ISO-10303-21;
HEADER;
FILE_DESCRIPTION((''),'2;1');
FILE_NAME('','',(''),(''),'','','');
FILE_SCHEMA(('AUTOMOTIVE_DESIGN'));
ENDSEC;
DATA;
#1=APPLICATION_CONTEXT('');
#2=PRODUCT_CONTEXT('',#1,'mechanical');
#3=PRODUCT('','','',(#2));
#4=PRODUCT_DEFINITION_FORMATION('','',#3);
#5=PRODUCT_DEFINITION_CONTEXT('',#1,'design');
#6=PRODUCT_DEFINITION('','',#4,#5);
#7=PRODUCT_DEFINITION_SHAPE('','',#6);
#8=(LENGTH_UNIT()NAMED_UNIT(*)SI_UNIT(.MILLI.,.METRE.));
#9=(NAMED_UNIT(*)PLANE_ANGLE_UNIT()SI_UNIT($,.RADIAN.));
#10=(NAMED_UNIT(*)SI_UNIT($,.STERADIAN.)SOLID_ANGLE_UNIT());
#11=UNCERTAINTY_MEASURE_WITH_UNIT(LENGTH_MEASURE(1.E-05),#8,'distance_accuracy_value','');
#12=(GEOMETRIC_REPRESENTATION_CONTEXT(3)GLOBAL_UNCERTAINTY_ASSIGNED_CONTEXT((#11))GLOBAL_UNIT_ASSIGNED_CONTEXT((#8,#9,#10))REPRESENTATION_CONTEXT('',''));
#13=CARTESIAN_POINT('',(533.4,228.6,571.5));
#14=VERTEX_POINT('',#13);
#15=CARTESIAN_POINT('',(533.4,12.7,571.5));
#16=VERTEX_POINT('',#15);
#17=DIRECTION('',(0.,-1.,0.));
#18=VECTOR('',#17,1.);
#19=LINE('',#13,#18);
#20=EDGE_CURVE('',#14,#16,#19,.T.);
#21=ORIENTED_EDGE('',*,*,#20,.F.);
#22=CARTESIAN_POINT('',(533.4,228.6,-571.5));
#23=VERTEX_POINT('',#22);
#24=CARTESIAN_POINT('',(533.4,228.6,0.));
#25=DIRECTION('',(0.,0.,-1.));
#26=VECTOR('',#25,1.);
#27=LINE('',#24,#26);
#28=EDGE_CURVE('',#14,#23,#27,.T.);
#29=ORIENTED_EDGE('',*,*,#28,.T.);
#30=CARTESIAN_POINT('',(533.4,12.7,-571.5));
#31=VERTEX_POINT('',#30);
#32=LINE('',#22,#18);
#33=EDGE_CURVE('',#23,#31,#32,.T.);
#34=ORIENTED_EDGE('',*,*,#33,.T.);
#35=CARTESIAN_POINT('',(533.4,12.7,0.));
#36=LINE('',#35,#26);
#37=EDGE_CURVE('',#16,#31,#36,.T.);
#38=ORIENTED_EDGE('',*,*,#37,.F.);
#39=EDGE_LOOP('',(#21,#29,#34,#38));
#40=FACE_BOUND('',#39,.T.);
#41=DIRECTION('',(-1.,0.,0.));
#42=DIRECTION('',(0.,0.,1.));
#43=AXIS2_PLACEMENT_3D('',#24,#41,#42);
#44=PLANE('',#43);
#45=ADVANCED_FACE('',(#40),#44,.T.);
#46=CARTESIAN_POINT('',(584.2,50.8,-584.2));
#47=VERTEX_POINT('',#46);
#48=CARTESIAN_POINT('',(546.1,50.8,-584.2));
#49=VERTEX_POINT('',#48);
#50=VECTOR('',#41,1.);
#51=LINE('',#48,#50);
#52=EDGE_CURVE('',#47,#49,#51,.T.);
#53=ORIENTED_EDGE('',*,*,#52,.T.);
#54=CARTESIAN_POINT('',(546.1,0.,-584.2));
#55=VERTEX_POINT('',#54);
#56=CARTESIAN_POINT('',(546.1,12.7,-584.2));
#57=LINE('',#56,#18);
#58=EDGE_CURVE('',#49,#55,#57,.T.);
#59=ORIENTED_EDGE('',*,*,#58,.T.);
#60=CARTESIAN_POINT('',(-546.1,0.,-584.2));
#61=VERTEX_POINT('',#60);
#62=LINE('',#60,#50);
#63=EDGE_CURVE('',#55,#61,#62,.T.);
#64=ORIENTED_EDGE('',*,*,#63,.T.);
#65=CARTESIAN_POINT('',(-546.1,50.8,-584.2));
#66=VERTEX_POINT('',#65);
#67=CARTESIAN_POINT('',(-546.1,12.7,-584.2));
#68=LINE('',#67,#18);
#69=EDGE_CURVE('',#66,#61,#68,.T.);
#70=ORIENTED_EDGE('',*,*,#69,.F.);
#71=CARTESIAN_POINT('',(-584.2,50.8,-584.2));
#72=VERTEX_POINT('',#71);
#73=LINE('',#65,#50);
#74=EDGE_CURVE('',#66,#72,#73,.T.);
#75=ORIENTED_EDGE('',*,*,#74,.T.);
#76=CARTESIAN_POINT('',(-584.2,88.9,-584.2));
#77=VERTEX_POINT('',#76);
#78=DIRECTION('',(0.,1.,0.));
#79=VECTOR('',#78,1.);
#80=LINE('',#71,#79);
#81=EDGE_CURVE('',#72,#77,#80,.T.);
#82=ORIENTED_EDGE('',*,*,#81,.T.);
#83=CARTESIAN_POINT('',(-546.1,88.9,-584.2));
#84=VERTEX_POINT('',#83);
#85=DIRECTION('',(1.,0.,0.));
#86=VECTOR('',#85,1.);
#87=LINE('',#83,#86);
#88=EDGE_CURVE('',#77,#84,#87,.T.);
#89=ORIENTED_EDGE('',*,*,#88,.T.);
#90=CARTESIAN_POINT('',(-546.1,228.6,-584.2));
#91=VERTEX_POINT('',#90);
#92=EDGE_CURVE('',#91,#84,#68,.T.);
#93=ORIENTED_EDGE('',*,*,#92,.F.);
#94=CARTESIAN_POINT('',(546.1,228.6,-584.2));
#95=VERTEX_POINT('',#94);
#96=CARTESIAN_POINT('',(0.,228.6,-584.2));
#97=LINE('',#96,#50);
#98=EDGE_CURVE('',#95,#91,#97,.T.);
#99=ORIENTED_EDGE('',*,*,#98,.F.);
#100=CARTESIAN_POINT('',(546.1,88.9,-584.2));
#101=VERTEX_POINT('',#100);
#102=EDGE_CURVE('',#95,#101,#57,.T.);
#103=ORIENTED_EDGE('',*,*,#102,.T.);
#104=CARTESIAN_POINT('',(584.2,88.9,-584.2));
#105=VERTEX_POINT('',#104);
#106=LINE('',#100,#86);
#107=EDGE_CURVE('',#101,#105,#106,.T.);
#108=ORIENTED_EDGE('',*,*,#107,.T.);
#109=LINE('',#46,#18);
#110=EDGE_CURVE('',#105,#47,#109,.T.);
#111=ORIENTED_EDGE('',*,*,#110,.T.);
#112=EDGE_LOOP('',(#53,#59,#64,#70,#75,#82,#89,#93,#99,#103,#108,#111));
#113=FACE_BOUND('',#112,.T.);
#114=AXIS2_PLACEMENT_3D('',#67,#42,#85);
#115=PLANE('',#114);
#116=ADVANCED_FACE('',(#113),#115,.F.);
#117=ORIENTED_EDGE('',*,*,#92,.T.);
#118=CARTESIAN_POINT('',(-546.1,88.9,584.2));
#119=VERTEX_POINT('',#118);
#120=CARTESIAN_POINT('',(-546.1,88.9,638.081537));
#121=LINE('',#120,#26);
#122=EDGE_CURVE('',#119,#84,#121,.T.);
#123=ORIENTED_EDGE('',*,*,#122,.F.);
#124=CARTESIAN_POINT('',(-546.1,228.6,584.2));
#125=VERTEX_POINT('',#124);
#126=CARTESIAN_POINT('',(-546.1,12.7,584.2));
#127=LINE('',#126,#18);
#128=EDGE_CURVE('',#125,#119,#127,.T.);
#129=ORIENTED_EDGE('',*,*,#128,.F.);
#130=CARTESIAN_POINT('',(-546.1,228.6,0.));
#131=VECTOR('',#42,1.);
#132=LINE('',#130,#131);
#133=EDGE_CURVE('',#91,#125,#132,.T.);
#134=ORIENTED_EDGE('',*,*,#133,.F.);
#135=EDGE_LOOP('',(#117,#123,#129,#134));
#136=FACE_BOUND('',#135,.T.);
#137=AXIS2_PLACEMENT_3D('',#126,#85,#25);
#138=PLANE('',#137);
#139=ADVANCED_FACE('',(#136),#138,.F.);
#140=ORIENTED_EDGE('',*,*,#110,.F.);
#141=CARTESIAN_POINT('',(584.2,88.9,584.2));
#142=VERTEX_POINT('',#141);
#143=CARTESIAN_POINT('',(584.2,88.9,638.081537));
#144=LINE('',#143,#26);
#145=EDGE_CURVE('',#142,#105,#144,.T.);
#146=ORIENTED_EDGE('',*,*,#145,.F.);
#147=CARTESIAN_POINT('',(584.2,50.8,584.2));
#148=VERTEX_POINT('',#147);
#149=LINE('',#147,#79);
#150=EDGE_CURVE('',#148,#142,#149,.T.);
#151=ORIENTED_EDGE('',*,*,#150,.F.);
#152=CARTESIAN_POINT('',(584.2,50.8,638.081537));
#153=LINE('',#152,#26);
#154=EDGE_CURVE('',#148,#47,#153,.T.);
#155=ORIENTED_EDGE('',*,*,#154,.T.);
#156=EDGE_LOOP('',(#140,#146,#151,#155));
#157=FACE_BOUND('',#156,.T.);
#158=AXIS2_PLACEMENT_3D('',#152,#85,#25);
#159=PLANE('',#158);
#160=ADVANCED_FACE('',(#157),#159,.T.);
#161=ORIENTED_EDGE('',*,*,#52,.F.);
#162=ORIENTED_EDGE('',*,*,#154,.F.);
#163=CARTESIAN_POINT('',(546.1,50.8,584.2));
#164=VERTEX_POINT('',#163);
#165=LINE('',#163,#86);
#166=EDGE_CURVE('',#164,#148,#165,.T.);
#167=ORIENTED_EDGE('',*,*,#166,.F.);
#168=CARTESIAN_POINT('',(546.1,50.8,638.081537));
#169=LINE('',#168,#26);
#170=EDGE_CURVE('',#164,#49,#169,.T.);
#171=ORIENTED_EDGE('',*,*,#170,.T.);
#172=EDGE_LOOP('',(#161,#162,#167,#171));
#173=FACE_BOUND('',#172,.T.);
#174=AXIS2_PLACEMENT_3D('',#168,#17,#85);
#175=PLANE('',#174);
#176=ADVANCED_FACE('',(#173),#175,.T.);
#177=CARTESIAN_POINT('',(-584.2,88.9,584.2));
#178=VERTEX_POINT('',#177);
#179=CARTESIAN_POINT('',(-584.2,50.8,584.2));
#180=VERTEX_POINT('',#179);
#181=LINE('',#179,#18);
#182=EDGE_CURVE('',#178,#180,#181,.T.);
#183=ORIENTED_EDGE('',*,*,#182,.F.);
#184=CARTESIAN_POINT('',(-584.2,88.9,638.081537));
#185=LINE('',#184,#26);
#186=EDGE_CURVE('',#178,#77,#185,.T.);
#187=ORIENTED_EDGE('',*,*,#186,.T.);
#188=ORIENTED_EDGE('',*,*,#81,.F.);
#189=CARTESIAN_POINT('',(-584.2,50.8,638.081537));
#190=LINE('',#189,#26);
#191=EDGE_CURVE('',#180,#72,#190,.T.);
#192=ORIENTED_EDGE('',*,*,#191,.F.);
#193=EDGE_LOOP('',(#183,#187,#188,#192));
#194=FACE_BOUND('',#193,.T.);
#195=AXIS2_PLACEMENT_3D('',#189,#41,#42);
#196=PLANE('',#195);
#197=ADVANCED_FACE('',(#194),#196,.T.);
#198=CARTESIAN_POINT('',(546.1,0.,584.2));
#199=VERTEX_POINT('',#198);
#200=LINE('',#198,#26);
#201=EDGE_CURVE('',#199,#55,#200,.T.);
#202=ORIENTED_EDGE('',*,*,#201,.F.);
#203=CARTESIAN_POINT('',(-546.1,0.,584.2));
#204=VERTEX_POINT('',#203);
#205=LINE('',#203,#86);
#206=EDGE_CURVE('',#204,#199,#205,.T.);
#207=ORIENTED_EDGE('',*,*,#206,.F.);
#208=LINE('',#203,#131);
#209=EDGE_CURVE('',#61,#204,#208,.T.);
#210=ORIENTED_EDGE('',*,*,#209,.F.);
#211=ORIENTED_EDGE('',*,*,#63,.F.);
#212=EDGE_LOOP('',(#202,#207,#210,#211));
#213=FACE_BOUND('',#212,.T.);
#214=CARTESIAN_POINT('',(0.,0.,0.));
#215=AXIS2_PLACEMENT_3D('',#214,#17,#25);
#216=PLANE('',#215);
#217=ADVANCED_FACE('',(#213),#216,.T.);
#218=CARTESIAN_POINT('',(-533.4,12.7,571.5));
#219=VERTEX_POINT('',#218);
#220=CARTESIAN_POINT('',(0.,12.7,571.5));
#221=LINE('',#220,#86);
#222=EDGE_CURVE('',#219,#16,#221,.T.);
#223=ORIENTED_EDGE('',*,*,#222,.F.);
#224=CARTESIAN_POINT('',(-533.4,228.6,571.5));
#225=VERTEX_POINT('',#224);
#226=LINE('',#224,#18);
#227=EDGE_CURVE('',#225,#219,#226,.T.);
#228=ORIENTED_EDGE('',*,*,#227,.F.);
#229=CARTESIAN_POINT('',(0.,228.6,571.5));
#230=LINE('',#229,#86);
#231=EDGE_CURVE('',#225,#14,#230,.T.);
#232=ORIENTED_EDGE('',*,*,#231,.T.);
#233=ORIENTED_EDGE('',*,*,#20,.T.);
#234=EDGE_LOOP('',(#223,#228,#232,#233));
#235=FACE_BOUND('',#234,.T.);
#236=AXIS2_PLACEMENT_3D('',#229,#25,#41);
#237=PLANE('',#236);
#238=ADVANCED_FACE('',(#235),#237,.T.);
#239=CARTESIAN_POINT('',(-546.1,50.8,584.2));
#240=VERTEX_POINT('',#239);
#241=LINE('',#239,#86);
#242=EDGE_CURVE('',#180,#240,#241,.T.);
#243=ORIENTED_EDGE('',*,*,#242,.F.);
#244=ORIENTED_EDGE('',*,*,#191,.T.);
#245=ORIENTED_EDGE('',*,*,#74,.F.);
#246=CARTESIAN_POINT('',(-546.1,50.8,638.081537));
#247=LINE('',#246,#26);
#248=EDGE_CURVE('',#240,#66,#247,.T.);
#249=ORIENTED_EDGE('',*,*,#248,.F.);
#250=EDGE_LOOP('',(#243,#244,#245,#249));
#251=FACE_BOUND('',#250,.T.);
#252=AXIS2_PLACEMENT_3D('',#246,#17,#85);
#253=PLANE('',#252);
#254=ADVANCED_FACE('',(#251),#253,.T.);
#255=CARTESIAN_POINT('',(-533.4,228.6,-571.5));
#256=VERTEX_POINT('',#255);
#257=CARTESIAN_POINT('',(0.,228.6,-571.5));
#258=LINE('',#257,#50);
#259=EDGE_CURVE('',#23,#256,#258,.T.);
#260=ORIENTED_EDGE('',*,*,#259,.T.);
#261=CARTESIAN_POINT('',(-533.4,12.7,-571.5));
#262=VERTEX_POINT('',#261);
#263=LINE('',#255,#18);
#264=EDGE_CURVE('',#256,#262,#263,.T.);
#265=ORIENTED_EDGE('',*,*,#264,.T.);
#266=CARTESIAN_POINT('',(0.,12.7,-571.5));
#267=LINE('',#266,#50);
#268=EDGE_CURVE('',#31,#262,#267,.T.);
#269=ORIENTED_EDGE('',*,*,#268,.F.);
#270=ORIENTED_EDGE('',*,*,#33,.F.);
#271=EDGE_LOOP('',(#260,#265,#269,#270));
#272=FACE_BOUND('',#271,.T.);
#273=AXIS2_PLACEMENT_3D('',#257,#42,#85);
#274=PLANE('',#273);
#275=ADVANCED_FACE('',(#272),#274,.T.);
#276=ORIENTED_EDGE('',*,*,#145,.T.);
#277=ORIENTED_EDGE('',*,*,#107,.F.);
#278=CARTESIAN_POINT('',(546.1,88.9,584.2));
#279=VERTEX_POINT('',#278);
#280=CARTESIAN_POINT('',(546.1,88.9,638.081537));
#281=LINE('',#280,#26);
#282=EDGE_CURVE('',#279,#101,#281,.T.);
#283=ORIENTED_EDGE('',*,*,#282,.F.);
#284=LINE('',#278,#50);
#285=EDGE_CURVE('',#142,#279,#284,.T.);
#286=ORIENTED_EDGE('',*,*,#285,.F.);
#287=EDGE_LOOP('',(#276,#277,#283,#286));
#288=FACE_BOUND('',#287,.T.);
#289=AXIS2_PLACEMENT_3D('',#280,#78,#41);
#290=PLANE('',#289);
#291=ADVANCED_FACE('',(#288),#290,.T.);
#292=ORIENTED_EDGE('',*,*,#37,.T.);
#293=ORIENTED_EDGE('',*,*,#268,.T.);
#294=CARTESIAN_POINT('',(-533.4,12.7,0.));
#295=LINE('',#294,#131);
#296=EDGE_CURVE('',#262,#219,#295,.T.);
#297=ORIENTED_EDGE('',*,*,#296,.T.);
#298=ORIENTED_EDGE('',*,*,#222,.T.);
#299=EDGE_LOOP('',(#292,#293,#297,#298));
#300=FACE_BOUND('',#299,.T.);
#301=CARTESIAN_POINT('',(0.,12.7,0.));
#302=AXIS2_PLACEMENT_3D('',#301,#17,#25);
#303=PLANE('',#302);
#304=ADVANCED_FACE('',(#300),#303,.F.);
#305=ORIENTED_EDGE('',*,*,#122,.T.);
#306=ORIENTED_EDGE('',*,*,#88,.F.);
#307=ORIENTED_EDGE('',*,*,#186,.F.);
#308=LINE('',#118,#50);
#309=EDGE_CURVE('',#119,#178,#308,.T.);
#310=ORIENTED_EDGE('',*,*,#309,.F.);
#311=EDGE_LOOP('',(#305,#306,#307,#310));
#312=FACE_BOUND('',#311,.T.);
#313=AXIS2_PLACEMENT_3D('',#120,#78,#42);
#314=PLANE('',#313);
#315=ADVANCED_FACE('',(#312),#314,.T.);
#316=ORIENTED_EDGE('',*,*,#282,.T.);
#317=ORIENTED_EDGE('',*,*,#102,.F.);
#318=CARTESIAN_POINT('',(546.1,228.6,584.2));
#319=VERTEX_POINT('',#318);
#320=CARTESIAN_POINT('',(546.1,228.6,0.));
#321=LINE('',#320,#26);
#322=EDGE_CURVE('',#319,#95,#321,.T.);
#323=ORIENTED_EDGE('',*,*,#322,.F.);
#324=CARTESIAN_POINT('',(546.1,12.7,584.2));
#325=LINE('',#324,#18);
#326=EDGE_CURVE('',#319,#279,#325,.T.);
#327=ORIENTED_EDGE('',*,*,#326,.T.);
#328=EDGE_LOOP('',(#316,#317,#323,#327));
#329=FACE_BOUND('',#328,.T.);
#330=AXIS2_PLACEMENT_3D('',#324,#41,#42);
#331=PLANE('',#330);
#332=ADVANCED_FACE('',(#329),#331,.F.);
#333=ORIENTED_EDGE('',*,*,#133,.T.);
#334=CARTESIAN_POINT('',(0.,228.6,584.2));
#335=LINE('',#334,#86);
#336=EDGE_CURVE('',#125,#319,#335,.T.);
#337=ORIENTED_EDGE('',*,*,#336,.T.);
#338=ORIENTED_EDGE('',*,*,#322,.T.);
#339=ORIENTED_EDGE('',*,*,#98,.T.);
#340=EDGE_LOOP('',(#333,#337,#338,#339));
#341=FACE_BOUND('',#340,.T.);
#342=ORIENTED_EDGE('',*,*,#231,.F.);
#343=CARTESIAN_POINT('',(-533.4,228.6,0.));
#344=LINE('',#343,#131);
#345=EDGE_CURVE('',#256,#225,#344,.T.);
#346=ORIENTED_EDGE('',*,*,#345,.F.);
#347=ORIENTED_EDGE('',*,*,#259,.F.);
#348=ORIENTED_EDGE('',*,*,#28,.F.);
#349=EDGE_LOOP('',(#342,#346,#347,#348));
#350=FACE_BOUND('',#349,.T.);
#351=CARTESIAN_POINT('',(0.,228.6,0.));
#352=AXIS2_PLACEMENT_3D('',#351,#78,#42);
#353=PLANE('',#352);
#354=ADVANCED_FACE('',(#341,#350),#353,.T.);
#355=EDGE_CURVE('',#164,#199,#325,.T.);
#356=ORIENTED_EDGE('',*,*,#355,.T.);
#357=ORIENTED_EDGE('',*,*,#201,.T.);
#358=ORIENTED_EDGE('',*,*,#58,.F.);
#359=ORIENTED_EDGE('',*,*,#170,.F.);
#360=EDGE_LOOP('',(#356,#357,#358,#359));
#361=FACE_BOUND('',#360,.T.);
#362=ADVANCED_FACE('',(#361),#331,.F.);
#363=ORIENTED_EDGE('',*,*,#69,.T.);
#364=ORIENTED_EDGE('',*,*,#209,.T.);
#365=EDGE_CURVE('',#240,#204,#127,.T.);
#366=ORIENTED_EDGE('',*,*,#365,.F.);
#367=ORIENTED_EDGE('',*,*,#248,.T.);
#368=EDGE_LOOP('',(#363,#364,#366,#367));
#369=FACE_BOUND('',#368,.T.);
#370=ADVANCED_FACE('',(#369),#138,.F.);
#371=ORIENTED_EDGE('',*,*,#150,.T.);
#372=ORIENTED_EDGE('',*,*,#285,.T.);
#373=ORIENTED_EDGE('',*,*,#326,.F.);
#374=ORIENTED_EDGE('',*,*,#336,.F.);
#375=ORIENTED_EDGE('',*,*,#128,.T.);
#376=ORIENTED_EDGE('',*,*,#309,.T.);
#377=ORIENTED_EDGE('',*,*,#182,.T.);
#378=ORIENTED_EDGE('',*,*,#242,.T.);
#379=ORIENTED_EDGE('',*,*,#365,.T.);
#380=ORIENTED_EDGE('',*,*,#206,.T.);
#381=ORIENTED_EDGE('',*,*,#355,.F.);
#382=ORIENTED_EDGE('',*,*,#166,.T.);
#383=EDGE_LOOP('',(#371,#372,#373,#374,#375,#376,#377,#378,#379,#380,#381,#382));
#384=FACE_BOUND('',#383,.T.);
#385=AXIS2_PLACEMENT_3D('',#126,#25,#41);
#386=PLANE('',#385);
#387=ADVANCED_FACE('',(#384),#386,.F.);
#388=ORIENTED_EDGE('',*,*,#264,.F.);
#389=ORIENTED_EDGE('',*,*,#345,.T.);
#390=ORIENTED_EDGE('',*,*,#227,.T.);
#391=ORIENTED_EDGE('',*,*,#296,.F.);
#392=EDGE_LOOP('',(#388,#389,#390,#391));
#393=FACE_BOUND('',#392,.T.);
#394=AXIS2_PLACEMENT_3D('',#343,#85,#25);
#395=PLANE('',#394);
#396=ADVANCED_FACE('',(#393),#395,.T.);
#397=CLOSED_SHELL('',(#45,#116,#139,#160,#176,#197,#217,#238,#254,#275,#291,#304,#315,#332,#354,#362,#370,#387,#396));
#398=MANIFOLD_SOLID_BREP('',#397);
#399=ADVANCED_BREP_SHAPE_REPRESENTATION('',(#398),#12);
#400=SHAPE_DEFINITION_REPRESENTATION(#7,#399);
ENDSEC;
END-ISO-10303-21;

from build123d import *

# Parameters (mm, degrees)
SKETCH1_W           = 1092.2
SKETCH1_H           = 1168.4
BOSS_EXTRUDE1_DEPTH = 12.7
SKETCH2_W           = 1092.2
SKETCH2_H           = 1168.4
SKETCH2_W_2         = 1066.8
SKETCH2_H_2         = 1143
BOSS_EXTRUDE2_DEPTH = 215.9
SKETCH3_W           = 38.1
SKETCH3_H           = 38.1
BOSS_EXTRUDE3_DEPTH = 1168.4


with BuildPart() as part:
    # Sketch1 → Boss-Extrude1 (new body)
    with BuildSketch(Plane(origin=(0, 0, 0), x_dir=(1, 0, 0), z_dir=(0, 1, 0))):
        Rectangle(SKETCH1_W, SKETCH1_H)
    extrude(amount=BOSS_EXTRUDE1_DEPTH)

    # Sketch2 → Boss-Extrude2 (add)
    with BuildSketch(Plane(origin=(0, 12.7, 0), x_dir=(1, 0, 0), z_dir=(0, 1, 0))):
        Rectangle(SKETCH2_W, SKETCH2_H)
        Rectangle(SKETCH2_W_2, SKETCH2_H_2, mode=Mode.SUBTRACT)
    extrude(amount=BOSS_EXTRUDE2_DEPTH)

    # Sketch3 → Boss-Extrude3 (add)
    with BuildSketch(Plane(origin=(0, 0, -584.2), x_dir=(-1, 0, 0), z_dir=(0, 0, -1))):
        with Locations((565.15, 69.85)):
            Rectangle(SKETCH3_W, SKETCH3_H)
        with Locations((-565.15, 69.85)):
            Rectangle(SKETCH3_W, SKETCH3_H)
    extrude(amount=-BOSS_EXTRUDE3_DEPTH)


solid = part.part
